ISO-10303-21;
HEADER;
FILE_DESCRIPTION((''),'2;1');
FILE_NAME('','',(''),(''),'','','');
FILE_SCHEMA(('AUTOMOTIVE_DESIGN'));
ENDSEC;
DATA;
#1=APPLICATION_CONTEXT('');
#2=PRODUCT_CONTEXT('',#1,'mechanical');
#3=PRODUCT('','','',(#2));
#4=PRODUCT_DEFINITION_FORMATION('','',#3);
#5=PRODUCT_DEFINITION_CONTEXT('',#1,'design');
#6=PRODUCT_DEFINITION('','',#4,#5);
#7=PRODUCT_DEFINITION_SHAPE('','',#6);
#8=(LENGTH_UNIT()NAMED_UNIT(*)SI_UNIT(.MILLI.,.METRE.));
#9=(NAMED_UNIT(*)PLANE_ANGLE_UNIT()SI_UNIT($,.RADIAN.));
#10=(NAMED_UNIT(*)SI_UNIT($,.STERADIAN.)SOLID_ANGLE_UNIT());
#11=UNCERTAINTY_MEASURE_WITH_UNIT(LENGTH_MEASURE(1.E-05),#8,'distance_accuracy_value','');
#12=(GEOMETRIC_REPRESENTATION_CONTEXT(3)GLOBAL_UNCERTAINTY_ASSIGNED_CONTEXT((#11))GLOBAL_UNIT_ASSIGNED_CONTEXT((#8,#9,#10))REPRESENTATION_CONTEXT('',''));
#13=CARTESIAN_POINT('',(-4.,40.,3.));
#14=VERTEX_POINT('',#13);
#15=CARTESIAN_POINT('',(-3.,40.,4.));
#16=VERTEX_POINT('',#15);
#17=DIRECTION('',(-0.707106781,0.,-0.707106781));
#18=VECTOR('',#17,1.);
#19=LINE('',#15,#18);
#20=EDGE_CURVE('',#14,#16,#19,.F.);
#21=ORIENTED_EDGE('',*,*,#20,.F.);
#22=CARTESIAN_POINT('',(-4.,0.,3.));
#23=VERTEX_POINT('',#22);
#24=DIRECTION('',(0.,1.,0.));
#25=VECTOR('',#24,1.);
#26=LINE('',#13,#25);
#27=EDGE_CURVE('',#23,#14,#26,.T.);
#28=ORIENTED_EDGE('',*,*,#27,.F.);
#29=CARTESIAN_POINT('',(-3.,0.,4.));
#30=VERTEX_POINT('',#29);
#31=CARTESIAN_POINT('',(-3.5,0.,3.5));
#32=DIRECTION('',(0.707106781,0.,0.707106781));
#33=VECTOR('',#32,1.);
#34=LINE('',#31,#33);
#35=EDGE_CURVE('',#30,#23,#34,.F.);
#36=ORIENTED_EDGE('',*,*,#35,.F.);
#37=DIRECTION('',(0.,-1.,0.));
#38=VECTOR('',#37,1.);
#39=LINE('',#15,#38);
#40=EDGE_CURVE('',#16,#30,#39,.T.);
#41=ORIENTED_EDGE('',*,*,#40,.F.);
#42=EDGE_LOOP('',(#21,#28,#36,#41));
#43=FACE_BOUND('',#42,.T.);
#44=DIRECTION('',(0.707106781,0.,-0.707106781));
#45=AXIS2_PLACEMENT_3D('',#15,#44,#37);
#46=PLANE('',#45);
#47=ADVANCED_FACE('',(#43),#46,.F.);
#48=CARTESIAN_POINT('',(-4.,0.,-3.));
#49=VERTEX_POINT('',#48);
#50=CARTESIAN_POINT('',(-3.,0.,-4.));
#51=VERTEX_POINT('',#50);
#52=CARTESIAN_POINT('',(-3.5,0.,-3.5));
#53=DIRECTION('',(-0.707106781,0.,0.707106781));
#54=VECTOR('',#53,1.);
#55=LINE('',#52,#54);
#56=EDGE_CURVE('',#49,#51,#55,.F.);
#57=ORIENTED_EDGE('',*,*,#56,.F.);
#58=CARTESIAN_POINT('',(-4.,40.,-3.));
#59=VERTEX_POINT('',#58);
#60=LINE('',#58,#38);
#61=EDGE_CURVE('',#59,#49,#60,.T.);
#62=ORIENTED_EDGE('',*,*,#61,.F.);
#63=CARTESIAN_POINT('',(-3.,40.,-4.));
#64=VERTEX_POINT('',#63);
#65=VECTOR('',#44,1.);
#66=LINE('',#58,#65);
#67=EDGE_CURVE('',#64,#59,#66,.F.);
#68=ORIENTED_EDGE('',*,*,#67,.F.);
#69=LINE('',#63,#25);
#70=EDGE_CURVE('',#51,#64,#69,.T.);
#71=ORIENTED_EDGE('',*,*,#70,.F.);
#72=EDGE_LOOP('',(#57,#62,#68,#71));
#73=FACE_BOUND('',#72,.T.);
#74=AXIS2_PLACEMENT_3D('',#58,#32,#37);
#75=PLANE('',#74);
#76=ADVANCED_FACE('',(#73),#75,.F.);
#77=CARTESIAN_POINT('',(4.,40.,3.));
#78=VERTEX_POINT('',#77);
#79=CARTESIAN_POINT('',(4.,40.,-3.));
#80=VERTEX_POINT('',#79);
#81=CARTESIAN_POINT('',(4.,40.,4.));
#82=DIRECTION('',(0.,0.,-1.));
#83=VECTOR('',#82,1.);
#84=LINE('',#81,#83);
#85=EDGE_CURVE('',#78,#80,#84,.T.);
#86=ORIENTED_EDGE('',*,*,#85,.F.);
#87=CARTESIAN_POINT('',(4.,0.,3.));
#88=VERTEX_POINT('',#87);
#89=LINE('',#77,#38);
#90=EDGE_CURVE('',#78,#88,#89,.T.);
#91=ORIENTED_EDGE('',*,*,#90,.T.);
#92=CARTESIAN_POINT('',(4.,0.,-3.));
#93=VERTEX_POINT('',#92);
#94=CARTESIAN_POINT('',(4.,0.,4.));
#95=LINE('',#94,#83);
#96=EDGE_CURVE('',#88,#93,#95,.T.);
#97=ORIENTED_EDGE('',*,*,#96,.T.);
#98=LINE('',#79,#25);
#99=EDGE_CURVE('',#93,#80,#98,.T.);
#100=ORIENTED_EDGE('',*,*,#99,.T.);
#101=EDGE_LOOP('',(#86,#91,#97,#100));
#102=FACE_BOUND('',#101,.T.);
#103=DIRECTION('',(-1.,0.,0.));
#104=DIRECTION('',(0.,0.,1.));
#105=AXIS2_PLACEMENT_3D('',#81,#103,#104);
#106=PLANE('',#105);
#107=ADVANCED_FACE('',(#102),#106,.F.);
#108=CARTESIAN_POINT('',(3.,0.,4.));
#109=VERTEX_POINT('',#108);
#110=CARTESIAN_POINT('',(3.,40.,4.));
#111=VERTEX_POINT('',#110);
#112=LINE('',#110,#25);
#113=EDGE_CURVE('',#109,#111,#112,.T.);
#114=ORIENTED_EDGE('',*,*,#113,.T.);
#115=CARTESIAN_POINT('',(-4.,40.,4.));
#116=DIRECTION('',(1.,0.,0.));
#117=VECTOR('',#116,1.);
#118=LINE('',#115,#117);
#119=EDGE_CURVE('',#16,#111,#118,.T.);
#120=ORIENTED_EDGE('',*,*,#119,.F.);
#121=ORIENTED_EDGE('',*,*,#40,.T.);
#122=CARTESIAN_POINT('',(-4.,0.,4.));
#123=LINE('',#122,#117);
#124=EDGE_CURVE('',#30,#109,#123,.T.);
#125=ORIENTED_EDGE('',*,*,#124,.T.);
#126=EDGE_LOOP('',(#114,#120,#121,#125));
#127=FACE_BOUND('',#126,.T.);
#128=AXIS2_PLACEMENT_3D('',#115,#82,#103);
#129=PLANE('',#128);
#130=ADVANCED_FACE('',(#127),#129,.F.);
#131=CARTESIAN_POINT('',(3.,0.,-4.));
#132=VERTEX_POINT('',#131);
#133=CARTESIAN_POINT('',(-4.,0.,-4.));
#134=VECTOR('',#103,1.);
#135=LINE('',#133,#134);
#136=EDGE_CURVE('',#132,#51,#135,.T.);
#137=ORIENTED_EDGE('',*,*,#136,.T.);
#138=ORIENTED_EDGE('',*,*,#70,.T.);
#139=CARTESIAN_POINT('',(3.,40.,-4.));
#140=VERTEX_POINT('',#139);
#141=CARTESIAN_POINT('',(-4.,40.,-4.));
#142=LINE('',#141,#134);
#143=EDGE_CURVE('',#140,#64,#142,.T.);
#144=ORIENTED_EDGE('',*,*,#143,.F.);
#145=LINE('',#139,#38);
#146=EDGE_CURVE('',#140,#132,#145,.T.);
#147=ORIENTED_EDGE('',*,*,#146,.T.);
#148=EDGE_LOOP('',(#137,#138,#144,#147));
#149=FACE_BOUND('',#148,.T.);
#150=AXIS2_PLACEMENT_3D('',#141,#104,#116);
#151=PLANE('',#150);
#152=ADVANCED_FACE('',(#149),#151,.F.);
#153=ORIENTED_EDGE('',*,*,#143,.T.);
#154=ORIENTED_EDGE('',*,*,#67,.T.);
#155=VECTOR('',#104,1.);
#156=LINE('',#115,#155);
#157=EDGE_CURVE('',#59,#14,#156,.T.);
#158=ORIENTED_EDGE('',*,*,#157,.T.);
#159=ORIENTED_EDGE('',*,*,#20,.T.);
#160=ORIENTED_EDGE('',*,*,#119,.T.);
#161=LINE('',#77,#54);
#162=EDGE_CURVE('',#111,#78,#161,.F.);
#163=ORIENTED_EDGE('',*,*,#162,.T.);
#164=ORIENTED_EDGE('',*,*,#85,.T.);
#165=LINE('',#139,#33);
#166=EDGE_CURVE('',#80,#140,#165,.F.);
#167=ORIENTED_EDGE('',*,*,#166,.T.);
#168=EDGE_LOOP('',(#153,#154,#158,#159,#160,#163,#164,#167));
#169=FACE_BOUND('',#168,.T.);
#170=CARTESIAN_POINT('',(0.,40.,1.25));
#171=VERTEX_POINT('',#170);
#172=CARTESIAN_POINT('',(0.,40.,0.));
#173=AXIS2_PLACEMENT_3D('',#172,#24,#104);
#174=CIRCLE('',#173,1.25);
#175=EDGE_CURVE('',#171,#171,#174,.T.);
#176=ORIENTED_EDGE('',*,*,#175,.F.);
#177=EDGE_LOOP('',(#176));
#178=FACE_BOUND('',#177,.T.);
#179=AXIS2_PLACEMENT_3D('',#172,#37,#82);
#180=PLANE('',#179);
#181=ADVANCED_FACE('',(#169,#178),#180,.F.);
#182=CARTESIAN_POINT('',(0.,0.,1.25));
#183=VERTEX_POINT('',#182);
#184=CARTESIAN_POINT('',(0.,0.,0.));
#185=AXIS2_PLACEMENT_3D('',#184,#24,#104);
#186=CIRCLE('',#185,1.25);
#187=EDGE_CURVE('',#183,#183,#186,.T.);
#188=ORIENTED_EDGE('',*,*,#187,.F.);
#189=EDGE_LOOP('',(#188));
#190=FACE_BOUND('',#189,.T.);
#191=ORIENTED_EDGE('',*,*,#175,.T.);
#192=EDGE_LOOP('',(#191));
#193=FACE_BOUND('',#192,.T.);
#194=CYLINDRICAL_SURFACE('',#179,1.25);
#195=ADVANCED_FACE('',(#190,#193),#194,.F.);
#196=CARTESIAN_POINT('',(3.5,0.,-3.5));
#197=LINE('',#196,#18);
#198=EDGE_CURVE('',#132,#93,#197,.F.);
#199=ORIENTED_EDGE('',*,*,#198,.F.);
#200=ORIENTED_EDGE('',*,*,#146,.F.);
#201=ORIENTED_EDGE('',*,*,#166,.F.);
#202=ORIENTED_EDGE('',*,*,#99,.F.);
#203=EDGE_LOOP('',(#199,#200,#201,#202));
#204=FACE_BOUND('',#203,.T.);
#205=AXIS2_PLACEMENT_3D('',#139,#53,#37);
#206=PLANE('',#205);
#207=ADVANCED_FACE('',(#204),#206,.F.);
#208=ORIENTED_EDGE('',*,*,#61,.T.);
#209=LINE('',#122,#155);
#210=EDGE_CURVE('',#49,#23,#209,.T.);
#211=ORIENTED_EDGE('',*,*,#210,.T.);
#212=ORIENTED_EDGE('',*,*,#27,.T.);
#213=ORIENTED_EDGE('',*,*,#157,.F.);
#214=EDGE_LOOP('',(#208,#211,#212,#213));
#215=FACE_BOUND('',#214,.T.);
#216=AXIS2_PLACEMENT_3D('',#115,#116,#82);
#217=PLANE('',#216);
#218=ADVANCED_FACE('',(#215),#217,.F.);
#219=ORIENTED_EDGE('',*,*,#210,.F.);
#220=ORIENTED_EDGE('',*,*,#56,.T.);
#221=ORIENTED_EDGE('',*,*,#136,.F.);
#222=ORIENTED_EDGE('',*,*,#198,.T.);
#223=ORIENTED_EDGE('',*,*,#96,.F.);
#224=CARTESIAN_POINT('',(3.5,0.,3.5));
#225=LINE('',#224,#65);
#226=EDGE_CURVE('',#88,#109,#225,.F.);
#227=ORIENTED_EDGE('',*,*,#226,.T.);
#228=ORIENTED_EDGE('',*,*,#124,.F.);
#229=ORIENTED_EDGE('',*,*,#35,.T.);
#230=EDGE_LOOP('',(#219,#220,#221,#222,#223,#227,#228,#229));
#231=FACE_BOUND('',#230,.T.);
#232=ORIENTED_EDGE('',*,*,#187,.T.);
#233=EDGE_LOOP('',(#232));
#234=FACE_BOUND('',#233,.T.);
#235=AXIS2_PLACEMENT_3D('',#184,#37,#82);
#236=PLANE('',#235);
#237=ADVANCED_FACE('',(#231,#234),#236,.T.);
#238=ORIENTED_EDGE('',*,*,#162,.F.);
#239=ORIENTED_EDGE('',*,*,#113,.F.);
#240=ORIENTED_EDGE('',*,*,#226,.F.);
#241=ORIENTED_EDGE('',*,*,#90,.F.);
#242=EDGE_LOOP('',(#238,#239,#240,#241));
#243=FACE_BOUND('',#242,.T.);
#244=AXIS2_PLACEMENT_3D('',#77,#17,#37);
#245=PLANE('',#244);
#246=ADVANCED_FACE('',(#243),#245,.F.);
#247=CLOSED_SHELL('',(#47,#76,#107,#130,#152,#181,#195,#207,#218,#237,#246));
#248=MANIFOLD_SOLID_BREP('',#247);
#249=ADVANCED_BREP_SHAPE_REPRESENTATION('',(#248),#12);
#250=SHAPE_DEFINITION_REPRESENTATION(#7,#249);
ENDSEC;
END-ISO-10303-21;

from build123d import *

# Parameters (mm, degrees)
SKETCH_1_W        = 8
SKETCH_1_H        = 8
SKETCH_1_R        = 1.25
EXTRUDE_349_DEPTH = 40
CHAMFER_1_SIZE    = 1


with BuildPart() as part:
    # Эскиз1 → Extrude 349 (new body)
    with BuildSketch(Plane(origin=(0, 0, 0), x_dir=(1, 0, 0), z_dir=(0, 1, 0))):
        Rectangle(SKETCH_1_W, SKETCH_1_H)
        with Locations(Location((0, 0, 0), (0, 0, 270))):
            Circle(SKETCH_1_R, mode=Mode.SUBTRACT)
    extrude(amount=EXTRUDE_349_DEPTH)

    # Фаска1
    chamfer_1_edges = [part.edges().sort_by_distance(p)[0] for p in [
        (4, 20, 4),
        (-4, 20, 4),
        (-4, 20, -4),
        (4, 20, -4),
    ]]
    chamfer(chamfer_1_edges, length=CHAMFER_1_SIZE)


solid = part.part
